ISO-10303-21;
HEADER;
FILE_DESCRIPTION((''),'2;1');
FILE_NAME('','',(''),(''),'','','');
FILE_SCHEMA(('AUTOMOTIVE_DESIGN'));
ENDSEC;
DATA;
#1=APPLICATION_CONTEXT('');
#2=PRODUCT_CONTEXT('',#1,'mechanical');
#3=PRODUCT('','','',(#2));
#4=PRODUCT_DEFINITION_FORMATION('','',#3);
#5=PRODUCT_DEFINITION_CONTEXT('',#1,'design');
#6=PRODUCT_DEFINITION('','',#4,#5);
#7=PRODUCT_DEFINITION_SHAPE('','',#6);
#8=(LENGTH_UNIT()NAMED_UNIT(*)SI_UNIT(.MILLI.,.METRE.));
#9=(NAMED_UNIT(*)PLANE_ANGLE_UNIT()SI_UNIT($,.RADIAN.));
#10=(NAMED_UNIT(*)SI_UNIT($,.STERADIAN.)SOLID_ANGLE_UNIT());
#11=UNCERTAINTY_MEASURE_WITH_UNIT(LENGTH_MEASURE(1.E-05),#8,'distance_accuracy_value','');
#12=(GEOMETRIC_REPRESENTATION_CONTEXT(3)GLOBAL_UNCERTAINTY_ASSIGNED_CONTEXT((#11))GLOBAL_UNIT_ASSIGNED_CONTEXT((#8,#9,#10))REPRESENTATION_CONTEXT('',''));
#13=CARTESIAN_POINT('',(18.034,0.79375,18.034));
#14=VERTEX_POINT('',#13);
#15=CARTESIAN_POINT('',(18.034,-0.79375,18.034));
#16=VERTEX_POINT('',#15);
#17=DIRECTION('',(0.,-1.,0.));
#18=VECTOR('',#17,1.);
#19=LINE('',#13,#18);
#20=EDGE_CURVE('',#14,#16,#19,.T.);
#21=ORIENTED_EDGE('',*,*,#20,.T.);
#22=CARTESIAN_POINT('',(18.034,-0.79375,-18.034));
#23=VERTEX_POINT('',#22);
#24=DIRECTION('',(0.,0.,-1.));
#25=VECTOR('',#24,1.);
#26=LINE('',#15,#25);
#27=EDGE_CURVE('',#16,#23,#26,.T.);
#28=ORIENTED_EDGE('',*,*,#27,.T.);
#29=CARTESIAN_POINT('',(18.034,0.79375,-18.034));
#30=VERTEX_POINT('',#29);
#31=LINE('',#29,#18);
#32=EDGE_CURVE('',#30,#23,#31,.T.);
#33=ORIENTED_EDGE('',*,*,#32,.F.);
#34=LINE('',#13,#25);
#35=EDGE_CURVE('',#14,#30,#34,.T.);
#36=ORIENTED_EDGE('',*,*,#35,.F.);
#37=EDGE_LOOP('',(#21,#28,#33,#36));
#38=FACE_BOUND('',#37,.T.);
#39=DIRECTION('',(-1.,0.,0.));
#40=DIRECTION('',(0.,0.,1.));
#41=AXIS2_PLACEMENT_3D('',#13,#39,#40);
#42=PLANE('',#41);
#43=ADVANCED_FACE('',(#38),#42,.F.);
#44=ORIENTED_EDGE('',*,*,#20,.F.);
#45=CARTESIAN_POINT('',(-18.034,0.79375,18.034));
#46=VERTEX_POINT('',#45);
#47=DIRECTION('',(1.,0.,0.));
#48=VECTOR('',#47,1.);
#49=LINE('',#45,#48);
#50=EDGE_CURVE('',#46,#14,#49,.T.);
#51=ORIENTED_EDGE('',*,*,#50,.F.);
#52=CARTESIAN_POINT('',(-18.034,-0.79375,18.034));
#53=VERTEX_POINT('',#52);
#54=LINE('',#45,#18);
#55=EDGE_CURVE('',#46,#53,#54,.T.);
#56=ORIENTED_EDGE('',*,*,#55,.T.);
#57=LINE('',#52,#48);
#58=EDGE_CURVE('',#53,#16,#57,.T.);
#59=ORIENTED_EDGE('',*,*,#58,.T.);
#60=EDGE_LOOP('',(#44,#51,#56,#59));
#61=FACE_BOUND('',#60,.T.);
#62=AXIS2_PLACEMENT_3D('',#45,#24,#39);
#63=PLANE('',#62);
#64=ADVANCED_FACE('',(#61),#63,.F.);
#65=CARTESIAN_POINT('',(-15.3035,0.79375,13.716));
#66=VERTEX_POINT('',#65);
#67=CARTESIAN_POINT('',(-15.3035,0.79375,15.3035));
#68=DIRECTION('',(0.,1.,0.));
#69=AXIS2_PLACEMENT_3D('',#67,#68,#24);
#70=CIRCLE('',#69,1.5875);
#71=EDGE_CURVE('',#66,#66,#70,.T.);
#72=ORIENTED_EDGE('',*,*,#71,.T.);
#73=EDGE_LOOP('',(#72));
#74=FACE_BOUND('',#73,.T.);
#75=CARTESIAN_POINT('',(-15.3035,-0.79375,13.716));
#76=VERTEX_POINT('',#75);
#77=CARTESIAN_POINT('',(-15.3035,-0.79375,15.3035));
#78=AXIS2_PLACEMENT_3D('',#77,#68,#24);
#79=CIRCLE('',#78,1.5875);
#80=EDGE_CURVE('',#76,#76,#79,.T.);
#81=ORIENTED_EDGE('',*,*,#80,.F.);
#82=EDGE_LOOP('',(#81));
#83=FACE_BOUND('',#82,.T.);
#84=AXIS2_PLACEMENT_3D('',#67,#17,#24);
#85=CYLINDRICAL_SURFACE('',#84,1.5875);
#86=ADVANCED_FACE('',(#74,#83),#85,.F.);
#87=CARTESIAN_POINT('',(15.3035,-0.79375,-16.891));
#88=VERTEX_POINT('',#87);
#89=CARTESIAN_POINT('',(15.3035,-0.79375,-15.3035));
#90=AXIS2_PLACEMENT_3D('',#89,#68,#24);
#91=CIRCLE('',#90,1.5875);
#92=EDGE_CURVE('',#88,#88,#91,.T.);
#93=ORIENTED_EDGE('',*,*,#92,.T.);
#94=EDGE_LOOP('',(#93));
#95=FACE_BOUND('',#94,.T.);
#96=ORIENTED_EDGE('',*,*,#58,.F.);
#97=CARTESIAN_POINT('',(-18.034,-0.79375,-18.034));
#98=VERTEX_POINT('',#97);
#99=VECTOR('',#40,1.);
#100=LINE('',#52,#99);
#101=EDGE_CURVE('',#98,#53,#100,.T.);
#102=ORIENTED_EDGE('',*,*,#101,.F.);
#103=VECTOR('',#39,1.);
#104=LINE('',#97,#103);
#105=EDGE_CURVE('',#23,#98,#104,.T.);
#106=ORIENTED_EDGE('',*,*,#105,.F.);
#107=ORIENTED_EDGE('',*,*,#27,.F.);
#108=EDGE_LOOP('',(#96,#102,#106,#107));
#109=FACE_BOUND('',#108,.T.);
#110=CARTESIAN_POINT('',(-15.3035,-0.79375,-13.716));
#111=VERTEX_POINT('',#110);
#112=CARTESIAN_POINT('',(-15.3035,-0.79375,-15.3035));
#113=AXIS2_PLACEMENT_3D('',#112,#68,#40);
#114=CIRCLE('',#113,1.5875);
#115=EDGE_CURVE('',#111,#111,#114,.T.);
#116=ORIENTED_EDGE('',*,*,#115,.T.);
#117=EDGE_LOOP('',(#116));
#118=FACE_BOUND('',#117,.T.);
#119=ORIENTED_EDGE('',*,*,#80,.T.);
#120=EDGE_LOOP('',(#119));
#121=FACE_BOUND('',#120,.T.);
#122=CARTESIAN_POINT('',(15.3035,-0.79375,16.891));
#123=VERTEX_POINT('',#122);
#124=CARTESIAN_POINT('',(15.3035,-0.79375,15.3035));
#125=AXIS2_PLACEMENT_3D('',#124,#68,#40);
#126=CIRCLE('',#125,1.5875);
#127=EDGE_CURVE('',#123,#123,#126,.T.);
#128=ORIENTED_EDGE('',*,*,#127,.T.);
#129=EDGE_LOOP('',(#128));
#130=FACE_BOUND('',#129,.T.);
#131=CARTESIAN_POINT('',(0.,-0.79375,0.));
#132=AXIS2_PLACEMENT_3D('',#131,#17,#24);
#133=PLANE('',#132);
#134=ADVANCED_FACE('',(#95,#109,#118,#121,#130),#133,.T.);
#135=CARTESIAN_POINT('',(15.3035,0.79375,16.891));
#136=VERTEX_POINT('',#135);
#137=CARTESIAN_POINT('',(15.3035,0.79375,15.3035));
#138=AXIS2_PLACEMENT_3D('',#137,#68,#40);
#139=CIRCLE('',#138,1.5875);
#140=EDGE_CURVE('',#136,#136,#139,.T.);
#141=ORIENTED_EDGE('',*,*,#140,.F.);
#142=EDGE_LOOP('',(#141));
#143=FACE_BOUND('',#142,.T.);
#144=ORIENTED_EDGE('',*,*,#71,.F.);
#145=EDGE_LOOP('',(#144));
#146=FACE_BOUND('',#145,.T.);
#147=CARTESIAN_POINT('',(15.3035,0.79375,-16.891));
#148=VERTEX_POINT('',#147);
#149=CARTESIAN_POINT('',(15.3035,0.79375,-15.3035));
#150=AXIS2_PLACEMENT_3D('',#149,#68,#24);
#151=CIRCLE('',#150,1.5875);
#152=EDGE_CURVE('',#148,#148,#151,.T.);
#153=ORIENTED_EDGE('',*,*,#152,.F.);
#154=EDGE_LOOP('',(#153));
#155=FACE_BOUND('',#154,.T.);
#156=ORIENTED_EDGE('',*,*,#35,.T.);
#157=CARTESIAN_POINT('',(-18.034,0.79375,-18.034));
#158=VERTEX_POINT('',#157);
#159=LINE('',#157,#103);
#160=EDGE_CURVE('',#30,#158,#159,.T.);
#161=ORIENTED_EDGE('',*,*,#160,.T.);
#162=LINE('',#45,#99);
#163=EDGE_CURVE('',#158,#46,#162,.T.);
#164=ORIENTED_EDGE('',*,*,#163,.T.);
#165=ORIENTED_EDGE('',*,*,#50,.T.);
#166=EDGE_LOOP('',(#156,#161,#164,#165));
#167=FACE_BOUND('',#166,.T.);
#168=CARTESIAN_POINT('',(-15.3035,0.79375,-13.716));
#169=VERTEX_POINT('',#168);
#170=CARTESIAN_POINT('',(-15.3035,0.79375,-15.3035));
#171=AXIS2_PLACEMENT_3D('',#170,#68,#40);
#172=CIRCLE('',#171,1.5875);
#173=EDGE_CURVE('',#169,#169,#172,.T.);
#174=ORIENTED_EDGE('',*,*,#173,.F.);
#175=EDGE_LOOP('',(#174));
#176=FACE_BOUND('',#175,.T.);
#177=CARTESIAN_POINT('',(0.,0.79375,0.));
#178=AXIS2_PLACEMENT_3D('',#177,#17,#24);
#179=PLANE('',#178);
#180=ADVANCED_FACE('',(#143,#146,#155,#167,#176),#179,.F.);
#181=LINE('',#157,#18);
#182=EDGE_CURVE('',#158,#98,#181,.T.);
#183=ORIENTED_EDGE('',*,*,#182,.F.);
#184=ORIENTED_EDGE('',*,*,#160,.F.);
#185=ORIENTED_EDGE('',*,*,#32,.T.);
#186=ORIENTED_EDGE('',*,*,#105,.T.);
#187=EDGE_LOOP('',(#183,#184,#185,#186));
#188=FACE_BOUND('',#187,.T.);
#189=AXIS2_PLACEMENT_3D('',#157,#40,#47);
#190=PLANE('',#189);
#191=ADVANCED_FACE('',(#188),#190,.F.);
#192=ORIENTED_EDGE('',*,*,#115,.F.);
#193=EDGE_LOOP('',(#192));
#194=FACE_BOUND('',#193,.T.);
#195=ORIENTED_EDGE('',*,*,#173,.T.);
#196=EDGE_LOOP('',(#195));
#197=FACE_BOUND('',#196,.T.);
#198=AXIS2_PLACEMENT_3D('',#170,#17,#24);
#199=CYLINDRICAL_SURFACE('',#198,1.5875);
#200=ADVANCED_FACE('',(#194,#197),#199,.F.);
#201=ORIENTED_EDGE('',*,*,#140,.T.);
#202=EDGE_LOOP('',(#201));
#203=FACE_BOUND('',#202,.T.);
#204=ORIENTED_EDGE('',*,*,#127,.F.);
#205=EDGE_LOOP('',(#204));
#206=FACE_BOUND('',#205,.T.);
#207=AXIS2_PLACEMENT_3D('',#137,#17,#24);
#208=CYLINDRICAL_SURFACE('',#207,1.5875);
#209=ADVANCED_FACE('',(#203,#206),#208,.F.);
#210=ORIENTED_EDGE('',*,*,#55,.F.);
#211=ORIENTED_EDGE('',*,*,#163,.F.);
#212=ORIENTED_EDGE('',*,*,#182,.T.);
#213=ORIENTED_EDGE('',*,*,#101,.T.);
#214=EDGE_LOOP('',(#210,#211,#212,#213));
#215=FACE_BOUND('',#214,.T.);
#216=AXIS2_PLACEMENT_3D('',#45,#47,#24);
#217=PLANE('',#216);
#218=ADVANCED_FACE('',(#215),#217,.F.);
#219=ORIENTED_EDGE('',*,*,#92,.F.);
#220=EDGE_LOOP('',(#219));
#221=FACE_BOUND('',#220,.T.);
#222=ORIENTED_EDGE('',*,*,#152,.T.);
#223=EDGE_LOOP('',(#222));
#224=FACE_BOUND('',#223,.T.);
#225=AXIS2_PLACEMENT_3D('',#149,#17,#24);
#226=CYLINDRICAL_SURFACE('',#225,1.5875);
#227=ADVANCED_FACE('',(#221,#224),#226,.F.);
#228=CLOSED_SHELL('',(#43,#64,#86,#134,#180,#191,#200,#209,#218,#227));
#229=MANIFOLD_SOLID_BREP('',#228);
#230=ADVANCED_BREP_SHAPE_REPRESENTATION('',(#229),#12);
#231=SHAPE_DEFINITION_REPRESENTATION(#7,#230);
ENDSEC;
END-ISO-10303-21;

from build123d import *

# Parameters (mm, degrees)
SKETCH2_W           = 36.068
SKETCH2_H           = 36.068
SKETCH2_R           = 1.5875
BOSS_EXTRUDE1_DEPTH = 0.79375


with BuildPart() as part:
    # Sketch2 → Boss-Extrude1 (new, symmetric)
    with BuildSketch(Plane(origin=(0, 0, 0), x_dir=(1, 0, 0), z_dir=(0, 1, 0))):
        Rectangle(SKETCH2_W, SKETCH2_H)
        with Locations(Location((-15.3035, 15.3035, 0), (0, 0, 270))):
            Circle(SKETCH2_R, mode=Mode.SUBTRACT)
        with Locations(Location((-15.3035, -15.3035, 0), (0, 0, 90))):
            Circle(SKETCH2_R, mode=Mode.SUBTRACT)
        with Locations(Location((15.3035, -15.3035, 0), (0, 0, 270))):
            Circle(SKETCH2_R, mode=Mode.SUBTRACT)
        with Locations(Location((15.3035, 15.3035, 0), (0, 0, 90))):
            Circle(SKETCH2_R, mode=Mode.SUBTRACT)
    extrude(amount=BOSS_EXTRUDE1_DEPTH, both=True)


solid = part.part
